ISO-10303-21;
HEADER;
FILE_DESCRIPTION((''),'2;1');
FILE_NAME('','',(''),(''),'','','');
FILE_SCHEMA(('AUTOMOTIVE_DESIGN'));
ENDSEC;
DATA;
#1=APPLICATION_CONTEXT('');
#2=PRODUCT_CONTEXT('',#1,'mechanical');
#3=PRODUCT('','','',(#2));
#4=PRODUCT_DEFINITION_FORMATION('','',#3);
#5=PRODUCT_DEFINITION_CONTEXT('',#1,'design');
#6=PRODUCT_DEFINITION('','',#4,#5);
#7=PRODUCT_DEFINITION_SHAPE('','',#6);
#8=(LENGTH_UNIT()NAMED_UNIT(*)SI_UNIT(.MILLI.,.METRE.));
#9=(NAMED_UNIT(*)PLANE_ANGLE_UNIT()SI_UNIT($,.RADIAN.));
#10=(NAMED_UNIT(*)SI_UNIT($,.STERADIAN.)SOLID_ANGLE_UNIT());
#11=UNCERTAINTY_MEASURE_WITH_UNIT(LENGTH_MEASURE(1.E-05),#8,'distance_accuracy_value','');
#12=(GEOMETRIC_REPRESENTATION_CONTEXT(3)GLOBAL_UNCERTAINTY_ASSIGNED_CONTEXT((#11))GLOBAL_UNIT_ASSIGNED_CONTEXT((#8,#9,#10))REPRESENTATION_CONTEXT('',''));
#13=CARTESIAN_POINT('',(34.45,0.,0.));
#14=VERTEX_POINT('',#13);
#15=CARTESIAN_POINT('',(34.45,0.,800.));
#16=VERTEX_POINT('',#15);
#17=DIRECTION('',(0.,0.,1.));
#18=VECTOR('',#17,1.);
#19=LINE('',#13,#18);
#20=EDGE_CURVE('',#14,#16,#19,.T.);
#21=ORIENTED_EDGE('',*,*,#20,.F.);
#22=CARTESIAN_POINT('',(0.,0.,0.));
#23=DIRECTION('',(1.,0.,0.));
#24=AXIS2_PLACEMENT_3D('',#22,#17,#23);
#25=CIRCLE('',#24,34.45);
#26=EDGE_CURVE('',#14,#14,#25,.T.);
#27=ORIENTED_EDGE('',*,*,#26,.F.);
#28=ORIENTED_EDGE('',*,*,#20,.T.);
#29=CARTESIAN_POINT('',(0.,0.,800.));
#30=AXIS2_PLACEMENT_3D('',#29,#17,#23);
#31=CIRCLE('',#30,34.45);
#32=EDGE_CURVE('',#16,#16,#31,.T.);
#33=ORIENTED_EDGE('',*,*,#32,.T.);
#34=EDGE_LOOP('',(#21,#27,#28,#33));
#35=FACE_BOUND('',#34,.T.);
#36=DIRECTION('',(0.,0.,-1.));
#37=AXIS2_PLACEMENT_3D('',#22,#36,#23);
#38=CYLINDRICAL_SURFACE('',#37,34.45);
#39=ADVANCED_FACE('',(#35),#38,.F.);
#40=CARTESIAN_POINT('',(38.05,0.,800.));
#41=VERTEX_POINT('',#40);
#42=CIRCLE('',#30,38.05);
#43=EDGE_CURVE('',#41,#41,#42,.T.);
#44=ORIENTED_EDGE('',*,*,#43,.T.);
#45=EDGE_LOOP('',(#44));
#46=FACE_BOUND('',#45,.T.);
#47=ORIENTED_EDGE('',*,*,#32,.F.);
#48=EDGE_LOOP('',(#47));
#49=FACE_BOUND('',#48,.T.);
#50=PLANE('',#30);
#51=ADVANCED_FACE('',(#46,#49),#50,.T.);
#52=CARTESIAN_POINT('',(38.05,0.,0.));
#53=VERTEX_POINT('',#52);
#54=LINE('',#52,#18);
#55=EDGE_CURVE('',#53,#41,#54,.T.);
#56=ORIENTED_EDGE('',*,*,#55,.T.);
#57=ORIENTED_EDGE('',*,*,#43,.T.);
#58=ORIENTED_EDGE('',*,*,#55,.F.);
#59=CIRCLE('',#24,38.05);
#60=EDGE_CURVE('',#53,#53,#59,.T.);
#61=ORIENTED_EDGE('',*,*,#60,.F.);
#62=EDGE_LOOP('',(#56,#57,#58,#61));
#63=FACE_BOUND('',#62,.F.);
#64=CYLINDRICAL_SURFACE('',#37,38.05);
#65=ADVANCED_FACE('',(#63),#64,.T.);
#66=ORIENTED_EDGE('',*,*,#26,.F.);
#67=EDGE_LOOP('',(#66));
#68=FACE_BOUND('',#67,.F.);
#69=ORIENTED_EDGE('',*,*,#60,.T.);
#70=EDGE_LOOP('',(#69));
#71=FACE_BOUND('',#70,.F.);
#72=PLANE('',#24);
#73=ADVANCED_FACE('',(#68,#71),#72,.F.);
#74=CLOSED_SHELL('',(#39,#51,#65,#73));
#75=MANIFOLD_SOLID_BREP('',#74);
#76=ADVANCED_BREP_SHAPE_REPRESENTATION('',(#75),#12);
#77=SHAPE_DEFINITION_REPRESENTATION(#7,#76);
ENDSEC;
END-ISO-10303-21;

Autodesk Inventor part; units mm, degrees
ref_plane "YZ Plane" through (0, 0, 0) normal (1, 0, 0) x (0, 1, 0)
ref_plane "XZ Plane" through (0, 0, 0) normal (0, 1, 0) x (-1, 0, 0)
ref_plane "XY Plane" through (0, 0, 0) normal (0, 0, 1) x (1, 0, 0)
sketch "Skizze1" plane through (0, 0, 0) normal (0, 0, 1) x (1, 0, 0)
  circle A0 centre (0, 0) radius 38.05
  circle A1 centre (0, 0) radius 34.45
  dimension "d0" = 76.1
  dimension "d2" = 3.6
extrude "Extrusion1" add sketch "Skizze1" along normal blind 800
properties part number "Achse" material "Stahl"
